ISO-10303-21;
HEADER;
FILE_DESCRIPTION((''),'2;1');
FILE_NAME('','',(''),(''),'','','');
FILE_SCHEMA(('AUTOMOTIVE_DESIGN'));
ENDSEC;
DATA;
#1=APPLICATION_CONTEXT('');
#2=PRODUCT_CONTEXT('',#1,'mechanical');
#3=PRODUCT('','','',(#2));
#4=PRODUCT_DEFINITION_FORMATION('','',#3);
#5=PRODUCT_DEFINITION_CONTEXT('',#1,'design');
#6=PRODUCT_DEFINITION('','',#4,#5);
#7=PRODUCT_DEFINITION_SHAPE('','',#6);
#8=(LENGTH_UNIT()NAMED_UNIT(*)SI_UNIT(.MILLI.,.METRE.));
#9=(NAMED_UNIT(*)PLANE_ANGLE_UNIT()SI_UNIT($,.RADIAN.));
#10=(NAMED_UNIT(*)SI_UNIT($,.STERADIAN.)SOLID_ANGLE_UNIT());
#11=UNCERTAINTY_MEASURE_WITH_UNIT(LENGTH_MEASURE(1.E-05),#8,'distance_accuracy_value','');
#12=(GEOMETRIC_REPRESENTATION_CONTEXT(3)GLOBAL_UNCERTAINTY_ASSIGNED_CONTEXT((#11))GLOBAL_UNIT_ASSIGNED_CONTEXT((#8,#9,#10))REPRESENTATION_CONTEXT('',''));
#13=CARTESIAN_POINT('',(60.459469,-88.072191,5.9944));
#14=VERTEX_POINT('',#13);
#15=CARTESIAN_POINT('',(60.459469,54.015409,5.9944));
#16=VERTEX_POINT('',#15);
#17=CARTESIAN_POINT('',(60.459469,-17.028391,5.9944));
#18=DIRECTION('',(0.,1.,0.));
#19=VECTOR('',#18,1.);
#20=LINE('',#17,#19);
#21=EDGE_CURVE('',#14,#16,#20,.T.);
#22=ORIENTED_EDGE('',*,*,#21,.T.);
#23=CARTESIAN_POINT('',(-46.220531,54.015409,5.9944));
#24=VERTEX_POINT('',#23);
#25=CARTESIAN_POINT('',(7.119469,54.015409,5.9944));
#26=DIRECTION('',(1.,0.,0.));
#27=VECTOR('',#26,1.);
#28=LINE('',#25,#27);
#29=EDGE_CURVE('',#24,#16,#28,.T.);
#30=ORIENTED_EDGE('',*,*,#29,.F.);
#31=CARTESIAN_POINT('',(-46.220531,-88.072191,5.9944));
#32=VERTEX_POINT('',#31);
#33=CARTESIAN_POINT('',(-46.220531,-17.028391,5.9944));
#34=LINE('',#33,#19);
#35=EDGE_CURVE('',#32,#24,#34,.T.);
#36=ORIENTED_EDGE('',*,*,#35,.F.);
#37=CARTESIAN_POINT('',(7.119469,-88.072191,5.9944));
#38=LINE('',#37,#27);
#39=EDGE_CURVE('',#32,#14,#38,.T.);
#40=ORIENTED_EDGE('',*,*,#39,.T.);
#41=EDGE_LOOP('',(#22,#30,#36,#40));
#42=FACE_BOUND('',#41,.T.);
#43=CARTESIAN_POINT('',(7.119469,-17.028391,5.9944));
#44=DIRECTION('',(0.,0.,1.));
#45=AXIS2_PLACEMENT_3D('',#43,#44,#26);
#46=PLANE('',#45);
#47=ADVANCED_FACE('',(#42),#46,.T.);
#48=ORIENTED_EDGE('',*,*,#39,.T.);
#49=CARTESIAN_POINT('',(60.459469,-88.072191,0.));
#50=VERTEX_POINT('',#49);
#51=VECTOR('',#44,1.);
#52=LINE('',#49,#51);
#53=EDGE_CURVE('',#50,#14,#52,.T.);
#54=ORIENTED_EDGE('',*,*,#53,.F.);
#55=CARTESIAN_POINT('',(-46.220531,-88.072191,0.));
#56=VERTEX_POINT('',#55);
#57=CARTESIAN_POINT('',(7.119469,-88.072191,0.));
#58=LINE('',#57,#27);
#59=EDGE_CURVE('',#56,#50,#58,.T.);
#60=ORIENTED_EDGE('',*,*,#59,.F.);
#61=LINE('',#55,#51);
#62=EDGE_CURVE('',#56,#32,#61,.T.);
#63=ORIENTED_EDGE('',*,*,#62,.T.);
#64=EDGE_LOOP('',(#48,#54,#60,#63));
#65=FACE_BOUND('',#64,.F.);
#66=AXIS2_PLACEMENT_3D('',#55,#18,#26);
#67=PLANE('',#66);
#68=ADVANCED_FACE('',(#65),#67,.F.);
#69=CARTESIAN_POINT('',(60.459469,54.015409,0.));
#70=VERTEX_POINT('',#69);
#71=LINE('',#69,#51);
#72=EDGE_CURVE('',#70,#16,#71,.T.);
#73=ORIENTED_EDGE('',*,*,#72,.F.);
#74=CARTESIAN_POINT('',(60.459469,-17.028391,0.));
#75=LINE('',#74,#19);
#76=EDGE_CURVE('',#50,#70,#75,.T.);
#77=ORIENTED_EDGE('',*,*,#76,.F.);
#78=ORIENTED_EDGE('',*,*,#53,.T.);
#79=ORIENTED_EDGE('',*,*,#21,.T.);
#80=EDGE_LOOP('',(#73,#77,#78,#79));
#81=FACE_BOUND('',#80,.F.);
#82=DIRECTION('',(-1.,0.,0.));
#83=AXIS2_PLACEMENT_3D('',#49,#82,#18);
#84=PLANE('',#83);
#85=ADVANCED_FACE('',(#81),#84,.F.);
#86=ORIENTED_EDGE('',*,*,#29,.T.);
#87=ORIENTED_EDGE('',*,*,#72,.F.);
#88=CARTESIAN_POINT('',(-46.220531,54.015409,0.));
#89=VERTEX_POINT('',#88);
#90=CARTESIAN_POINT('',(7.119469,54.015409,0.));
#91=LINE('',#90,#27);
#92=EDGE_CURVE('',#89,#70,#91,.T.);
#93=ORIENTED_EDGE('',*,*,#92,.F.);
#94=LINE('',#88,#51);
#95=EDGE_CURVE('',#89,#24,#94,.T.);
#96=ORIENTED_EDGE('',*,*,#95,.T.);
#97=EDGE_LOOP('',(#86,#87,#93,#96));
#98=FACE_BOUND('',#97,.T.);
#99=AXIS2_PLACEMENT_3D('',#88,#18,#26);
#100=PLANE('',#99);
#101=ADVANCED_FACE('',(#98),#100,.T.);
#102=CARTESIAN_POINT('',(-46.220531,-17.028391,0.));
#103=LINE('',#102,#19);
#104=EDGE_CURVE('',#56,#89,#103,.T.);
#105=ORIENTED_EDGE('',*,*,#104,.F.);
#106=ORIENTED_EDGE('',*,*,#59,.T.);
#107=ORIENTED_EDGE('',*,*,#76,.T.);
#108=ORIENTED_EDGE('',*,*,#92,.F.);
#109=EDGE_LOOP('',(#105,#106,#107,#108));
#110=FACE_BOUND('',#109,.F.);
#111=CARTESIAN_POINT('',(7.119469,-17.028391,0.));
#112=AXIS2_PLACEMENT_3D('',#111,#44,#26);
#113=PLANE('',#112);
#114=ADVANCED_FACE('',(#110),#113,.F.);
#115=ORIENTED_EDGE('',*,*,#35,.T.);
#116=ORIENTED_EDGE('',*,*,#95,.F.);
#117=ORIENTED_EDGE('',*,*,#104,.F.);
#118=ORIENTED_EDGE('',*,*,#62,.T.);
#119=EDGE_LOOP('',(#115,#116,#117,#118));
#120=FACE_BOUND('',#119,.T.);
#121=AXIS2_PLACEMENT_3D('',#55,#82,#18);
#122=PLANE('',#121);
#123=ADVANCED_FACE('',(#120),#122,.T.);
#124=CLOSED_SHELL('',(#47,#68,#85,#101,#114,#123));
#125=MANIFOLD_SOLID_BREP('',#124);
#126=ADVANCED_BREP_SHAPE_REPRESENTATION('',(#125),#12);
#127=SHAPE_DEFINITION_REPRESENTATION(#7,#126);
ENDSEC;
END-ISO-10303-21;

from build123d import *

# Parameters (mm, degrees)
SKETCH_W      = 106.68
SKETCH_H      = 142.0876
EXTRUDE_DEPTH = 5.9944


with BuildPart() as part:
    # Sketch → Extrude (new body)
    with BuildSketch(Plane.XY):
        with Locations((7.119469, -17.028391)):
            Rectangle(SKETCH_W, SKETCH_H)
    extrude(amount=EXTRUDE_DEPTH)


solid = part.part
